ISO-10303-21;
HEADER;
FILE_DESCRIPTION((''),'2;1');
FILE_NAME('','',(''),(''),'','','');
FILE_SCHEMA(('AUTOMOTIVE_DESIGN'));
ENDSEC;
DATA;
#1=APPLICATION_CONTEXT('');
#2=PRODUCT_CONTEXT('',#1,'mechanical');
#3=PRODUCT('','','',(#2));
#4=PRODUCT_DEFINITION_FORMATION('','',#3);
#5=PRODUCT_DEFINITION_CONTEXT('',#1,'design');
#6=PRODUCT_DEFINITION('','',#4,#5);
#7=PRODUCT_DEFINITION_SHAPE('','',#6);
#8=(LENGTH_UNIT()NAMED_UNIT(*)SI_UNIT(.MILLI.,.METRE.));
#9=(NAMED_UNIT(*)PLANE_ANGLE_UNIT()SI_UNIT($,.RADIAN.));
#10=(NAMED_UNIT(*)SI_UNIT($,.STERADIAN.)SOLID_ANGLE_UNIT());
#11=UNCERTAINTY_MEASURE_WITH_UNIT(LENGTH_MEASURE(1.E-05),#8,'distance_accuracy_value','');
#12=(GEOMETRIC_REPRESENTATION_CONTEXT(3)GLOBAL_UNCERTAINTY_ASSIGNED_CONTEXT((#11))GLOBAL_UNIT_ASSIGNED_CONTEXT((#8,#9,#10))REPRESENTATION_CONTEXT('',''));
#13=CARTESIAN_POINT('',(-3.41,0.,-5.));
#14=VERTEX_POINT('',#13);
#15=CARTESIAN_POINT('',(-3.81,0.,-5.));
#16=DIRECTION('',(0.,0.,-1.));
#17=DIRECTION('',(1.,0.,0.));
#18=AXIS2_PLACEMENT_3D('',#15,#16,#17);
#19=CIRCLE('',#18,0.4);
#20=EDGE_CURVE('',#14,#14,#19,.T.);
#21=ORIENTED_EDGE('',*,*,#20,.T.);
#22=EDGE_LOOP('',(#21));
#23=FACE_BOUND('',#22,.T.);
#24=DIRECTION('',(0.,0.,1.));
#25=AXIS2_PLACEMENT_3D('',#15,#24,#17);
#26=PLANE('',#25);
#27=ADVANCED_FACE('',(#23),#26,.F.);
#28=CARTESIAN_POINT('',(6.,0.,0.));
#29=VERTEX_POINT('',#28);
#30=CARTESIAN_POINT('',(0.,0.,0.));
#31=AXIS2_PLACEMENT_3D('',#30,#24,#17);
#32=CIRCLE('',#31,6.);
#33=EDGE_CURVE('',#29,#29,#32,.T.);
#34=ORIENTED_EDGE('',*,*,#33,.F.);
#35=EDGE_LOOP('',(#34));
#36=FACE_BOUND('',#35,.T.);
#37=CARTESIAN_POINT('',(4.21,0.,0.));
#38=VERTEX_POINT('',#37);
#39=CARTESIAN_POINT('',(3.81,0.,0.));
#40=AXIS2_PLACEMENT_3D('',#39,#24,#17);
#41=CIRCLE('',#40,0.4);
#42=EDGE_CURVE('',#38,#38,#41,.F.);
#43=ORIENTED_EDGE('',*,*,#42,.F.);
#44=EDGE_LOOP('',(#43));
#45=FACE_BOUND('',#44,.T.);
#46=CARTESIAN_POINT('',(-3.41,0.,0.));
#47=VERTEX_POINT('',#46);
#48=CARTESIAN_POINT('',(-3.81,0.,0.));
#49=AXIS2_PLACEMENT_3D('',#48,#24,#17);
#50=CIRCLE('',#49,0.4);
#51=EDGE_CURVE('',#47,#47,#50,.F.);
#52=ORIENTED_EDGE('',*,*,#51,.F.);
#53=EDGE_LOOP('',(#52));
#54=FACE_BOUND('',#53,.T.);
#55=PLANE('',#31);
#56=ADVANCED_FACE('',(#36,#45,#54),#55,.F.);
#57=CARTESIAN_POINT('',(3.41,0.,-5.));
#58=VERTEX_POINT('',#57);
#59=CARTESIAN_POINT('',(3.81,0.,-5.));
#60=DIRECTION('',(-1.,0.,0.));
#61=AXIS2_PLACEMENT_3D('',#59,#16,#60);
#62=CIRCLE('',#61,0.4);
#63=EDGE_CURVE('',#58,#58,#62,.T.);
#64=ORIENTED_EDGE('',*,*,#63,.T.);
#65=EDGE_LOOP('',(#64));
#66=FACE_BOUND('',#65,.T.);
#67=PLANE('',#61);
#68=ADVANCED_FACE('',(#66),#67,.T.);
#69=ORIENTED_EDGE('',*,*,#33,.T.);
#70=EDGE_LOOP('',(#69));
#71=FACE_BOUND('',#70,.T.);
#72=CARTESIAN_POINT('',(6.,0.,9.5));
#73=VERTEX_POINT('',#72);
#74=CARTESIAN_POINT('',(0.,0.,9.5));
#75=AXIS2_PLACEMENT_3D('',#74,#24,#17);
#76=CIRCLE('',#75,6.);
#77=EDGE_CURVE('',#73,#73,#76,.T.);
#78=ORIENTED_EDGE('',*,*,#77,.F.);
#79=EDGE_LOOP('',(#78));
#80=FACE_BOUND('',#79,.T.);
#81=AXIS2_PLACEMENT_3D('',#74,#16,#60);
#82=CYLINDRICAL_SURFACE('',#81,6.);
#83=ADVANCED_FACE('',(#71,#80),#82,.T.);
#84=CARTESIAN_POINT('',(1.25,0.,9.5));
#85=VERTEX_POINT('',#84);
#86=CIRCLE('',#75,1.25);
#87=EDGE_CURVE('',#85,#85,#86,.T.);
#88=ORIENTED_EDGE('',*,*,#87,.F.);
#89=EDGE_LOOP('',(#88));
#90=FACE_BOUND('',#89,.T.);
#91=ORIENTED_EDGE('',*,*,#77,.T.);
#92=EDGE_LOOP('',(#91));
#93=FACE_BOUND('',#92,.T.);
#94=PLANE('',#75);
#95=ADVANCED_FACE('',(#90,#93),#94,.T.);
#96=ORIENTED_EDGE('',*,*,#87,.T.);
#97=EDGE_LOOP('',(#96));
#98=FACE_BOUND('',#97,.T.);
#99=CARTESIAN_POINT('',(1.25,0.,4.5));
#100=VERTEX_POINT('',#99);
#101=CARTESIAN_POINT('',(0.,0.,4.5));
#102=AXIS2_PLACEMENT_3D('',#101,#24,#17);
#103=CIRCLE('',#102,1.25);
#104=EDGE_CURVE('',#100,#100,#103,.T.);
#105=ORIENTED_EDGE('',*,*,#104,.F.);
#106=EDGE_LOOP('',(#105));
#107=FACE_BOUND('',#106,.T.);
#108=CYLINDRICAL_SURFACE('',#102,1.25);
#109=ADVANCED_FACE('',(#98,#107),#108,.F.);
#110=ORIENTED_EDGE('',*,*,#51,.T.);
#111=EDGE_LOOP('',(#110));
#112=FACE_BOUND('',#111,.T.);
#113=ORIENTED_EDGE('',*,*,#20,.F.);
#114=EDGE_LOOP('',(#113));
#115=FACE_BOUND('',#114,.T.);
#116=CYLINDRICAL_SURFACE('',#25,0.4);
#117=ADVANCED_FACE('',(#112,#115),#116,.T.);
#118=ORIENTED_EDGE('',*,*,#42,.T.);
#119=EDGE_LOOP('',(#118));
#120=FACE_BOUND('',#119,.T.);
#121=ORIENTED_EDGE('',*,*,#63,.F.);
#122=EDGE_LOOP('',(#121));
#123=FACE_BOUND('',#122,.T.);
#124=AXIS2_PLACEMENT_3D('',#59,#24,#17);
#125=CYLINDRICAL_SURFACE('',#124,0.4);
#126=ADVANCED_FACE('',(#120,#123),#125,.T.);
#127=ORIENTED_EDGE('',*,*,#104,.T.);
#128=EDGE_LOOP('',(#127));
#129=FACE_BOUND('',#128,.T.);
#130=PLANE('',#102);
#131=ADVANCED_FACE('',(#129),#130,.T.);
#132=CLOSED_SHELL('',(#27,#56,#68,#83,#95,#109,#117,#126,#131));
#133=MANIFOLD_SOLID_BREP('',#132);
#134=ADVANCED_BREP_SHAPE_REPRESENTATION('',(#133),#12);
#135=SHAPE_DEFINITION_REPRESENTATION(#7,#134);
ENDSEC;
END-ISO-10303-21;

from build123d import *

# Parameters (mm, degrees)
SKETCH_1_R          = 6
EXTRUDE_1_DEPTH     = 9.5
SKETCH_2_R          = 0.4
EXTRUDE_2_DEPTH     = 5
SKETCH_3_R          = 1.25
CUT_EXTRUDE_1_DEPTH = 5


with BuildPart() as part:
    # 草图1 → 拉伸1 (new body)
    with BuildSketch(Plane.XY):
        Circle(SKETCH_1_R)
    extrude(amount=EXTRUDE_1_DEPTH)

    # 草图2 → 拉伸2 (add)
    with BuildSketch(Plane(origin=(0, 0, 0), x_dir=(-1, 0, 0), z_dir=(0, 0, -1))):
        with Locations(Location((-3.81, 0, 0), (0, 0, 180))):
            Circle(SKETCH_2_R)
        with Locations(Location((3.81, 0, 0), (0, 0, 180))):
            Circle(SKETCH_2_R)
    extrude(amount=EXTRUDE_2_DEPTH)

    # 草图3 → 切除-拉伸1 (cut)
    with BuildSketch(Plane.XY.offset(9.5)):
        Circle(SKETCH_3_R)
    extrude(amount=-CUT_EXTRUDE_1_DEPTH, mode=Mode.SUBTRACT)


solid = part.part
